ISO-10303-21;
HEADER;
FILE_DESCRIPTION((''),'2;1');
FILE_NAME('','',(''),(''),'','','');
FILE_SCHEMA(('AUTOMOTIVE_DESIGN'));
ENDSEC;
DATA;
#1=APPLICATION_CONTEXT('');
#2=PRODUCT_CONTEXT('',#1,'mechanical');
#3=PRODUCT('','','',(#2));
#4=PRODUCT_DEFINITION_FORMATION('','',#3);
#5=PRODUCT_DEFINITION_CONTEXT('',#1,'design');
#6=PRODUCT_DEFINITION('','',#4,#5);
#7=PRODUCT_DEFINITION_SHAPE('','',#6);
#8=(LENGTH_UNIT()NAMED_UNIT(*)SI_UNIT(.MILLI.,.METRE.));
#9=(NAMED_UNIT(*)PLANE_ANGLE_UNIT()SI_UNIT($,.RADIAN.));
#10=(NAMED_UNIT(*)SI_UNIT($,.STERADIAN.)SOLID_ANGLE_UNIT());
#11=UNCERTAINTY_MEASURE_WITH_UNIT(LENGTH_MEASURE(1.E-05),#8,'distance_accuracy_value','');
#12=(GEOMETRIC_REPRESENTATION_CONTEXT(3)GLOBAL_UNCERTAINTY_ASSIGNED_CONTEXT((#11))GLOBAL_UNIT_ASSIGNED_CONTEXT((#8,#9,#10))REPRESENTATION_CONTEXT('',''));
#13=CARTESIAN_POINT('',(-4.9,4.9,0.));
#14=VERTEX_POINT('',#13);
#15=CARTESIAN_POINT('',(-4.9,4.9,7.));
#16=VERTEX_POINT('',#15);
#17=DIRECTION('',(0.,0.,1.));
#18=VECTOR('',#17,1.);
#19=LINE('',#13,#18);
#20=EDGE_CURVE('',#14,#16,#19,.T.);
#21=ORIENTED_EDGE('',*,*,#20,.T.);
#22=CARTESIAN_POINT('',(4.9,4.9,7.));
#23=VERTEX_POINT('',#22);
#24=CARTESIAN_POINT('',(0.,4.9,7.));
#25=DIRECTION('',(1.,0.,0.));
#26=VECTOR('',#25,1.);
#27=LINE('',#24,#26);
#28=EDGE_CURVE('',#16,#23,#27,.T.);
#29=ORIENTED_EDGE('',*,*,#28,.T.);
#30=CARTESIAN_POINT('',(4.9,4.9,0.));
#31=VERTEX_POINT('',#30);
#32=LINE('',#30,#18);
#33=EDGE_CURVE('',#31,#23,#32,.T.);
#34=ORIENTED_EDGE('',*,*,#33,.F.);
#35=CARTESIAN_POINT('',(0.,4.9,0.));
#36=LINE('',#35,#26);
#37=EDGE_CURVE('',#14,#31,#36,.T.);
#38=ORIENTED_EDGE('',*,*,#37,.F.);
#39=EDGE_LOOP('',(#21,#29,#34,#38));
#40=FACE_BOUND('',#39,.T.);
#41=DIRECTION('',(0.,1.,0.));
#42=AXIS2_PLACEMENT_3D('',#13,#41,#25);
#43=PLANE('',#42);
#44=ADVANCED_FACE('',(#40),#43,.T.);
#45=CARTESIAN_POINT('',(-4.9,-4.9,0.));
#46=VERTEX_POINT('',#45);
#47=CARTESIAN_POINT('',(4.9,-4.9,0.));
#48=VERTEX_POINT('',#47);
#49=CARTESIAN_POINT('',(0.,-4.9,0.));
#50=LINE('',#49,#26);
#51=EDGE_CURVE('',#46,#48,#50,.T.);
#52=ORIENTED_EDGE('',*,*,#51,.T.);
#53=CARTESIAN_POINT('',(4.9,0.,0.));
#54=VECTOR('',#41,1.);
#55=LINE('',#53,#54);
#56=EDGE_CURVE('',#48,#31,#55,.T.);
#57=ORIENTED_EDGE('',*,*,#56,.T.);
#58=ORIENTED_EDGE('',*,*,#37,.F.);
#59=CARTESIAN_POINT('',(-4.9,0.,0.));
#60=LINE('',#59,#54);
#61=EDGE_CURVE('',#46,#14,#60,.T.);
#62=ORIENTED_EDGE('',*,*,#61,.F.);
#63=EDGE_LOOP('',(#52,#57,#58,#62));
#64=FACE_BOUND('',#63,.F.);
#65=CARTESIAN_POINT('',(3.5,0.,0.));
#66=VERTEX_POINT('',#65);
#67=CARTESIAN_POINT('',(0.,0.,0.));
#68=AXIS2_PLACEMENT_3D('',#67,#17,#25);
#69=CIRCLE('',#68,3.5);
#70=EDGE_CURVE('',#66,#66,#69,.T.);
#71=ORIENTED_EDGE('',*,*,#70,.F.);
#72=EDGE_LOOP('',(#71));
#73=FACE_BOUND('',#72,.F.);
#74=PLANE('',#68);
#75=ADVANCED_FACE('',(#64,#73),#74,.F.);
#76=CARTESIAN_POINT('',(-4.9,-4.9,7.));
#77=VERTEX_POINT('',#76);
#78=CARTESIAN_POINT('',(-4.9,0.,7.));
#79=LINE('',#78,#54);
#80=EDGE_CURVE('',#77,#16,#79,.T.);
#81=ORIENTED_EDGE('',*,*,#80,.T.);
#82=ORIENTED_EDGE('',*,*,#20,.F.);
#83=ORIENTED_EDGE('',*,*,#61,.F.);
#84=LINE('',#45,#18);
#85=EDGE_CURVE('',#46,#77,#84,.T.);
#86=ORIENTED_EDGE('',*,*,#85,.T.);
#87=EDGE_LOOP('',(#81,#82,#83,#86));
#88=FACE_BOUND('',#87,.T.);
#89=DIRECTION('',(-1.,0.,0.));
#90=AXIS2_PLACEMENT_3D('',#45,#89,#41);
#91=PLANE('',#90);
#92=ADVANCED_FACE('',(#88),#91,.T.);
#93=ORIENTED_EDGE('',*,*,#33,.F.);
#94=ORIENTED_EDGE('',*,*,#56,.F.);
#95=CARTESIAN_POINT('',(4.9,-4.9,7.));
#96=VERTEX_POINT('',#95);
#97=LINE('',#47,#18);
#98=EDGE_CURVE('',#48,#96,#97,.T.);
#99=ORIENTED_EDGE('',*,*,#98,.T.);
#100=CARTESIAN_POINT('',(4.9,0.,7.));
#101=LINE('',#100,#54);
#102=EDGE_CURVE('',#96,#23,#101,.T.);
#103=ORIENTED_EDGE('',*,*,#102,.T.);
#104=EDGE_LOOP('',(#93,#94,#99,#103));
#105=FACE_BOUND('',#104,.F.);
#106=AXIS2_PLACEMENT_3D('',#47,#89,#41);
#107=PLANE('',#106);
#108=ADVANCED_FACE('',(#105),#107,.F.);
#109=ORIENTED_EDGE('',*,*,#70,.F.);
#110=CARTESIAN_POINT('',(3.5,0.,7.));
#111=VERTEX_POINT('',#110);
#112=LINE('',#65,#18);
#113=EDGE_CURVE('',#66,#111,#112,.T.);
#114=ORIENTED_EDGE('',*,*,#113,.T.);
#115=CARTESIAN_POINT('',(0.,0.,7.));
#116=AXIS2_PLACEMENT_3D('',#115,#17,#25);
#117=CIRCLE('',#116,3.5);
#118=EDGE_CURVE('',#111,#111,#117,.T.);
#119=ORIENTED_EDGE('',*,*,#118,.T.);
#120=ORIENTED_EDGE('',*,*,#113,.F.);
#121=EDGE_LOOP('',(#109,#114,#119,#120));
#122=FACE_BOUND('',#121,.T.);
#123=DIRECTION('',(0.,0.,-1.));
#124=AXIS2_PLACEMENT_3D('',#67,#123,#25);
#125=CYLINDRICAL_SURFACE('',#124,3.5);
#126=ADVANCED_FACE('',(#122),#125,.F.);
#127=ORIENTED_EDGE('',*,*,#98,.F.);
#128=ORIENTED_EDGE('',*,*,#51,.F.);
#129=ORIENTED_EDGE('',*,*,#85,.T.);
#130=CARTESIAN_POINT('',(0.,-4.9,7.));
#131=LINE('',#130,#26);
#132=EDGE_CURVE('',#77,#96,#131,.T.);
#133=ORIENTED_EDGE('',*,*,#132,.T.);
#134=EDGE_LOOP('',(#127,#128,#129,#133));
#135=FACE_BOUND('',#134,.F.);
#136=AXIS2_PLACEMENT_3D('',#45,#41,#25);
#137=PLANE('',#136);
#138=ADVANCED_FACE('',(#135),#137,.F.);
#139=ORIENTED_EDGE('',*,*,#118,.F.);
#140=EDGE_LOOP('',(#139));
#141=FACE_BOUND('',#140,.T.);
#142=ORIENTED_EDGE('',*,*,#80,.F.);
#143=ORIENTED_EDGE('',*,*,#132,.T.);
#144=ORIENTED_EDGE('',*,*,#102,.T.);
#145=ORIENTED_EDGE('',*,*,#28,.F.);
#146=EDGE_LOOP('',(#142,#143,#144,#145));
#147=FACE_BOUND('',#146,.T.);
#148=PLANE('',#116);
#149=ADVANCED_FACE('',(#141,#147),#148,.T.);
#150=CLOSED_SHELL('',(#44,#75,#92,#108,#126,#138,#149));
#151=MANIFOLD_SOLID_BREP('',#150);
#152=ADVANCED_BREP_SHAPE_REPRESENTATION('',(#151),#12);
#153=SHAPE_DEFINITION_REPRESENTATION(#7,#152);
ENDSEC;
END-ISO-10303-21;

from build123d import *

# Parameters (mm, degrees)
SKETCH_W  = 9.8
SKETCH_H  = 9.8
SKETCH_R  = 3.5
PAD_DEPTH = 7


with BuildPart() as part:
    # Sketch → Pad (new body)
    with BuildSketch(Plane.XY):
        Rectangle(SKETCH_W, SKETCH_H)
        Circle(SKETCH_R, mode=Mode.SUBTRACT)
    extrude(amount=PAD_DEPTH)


solid = part.part
